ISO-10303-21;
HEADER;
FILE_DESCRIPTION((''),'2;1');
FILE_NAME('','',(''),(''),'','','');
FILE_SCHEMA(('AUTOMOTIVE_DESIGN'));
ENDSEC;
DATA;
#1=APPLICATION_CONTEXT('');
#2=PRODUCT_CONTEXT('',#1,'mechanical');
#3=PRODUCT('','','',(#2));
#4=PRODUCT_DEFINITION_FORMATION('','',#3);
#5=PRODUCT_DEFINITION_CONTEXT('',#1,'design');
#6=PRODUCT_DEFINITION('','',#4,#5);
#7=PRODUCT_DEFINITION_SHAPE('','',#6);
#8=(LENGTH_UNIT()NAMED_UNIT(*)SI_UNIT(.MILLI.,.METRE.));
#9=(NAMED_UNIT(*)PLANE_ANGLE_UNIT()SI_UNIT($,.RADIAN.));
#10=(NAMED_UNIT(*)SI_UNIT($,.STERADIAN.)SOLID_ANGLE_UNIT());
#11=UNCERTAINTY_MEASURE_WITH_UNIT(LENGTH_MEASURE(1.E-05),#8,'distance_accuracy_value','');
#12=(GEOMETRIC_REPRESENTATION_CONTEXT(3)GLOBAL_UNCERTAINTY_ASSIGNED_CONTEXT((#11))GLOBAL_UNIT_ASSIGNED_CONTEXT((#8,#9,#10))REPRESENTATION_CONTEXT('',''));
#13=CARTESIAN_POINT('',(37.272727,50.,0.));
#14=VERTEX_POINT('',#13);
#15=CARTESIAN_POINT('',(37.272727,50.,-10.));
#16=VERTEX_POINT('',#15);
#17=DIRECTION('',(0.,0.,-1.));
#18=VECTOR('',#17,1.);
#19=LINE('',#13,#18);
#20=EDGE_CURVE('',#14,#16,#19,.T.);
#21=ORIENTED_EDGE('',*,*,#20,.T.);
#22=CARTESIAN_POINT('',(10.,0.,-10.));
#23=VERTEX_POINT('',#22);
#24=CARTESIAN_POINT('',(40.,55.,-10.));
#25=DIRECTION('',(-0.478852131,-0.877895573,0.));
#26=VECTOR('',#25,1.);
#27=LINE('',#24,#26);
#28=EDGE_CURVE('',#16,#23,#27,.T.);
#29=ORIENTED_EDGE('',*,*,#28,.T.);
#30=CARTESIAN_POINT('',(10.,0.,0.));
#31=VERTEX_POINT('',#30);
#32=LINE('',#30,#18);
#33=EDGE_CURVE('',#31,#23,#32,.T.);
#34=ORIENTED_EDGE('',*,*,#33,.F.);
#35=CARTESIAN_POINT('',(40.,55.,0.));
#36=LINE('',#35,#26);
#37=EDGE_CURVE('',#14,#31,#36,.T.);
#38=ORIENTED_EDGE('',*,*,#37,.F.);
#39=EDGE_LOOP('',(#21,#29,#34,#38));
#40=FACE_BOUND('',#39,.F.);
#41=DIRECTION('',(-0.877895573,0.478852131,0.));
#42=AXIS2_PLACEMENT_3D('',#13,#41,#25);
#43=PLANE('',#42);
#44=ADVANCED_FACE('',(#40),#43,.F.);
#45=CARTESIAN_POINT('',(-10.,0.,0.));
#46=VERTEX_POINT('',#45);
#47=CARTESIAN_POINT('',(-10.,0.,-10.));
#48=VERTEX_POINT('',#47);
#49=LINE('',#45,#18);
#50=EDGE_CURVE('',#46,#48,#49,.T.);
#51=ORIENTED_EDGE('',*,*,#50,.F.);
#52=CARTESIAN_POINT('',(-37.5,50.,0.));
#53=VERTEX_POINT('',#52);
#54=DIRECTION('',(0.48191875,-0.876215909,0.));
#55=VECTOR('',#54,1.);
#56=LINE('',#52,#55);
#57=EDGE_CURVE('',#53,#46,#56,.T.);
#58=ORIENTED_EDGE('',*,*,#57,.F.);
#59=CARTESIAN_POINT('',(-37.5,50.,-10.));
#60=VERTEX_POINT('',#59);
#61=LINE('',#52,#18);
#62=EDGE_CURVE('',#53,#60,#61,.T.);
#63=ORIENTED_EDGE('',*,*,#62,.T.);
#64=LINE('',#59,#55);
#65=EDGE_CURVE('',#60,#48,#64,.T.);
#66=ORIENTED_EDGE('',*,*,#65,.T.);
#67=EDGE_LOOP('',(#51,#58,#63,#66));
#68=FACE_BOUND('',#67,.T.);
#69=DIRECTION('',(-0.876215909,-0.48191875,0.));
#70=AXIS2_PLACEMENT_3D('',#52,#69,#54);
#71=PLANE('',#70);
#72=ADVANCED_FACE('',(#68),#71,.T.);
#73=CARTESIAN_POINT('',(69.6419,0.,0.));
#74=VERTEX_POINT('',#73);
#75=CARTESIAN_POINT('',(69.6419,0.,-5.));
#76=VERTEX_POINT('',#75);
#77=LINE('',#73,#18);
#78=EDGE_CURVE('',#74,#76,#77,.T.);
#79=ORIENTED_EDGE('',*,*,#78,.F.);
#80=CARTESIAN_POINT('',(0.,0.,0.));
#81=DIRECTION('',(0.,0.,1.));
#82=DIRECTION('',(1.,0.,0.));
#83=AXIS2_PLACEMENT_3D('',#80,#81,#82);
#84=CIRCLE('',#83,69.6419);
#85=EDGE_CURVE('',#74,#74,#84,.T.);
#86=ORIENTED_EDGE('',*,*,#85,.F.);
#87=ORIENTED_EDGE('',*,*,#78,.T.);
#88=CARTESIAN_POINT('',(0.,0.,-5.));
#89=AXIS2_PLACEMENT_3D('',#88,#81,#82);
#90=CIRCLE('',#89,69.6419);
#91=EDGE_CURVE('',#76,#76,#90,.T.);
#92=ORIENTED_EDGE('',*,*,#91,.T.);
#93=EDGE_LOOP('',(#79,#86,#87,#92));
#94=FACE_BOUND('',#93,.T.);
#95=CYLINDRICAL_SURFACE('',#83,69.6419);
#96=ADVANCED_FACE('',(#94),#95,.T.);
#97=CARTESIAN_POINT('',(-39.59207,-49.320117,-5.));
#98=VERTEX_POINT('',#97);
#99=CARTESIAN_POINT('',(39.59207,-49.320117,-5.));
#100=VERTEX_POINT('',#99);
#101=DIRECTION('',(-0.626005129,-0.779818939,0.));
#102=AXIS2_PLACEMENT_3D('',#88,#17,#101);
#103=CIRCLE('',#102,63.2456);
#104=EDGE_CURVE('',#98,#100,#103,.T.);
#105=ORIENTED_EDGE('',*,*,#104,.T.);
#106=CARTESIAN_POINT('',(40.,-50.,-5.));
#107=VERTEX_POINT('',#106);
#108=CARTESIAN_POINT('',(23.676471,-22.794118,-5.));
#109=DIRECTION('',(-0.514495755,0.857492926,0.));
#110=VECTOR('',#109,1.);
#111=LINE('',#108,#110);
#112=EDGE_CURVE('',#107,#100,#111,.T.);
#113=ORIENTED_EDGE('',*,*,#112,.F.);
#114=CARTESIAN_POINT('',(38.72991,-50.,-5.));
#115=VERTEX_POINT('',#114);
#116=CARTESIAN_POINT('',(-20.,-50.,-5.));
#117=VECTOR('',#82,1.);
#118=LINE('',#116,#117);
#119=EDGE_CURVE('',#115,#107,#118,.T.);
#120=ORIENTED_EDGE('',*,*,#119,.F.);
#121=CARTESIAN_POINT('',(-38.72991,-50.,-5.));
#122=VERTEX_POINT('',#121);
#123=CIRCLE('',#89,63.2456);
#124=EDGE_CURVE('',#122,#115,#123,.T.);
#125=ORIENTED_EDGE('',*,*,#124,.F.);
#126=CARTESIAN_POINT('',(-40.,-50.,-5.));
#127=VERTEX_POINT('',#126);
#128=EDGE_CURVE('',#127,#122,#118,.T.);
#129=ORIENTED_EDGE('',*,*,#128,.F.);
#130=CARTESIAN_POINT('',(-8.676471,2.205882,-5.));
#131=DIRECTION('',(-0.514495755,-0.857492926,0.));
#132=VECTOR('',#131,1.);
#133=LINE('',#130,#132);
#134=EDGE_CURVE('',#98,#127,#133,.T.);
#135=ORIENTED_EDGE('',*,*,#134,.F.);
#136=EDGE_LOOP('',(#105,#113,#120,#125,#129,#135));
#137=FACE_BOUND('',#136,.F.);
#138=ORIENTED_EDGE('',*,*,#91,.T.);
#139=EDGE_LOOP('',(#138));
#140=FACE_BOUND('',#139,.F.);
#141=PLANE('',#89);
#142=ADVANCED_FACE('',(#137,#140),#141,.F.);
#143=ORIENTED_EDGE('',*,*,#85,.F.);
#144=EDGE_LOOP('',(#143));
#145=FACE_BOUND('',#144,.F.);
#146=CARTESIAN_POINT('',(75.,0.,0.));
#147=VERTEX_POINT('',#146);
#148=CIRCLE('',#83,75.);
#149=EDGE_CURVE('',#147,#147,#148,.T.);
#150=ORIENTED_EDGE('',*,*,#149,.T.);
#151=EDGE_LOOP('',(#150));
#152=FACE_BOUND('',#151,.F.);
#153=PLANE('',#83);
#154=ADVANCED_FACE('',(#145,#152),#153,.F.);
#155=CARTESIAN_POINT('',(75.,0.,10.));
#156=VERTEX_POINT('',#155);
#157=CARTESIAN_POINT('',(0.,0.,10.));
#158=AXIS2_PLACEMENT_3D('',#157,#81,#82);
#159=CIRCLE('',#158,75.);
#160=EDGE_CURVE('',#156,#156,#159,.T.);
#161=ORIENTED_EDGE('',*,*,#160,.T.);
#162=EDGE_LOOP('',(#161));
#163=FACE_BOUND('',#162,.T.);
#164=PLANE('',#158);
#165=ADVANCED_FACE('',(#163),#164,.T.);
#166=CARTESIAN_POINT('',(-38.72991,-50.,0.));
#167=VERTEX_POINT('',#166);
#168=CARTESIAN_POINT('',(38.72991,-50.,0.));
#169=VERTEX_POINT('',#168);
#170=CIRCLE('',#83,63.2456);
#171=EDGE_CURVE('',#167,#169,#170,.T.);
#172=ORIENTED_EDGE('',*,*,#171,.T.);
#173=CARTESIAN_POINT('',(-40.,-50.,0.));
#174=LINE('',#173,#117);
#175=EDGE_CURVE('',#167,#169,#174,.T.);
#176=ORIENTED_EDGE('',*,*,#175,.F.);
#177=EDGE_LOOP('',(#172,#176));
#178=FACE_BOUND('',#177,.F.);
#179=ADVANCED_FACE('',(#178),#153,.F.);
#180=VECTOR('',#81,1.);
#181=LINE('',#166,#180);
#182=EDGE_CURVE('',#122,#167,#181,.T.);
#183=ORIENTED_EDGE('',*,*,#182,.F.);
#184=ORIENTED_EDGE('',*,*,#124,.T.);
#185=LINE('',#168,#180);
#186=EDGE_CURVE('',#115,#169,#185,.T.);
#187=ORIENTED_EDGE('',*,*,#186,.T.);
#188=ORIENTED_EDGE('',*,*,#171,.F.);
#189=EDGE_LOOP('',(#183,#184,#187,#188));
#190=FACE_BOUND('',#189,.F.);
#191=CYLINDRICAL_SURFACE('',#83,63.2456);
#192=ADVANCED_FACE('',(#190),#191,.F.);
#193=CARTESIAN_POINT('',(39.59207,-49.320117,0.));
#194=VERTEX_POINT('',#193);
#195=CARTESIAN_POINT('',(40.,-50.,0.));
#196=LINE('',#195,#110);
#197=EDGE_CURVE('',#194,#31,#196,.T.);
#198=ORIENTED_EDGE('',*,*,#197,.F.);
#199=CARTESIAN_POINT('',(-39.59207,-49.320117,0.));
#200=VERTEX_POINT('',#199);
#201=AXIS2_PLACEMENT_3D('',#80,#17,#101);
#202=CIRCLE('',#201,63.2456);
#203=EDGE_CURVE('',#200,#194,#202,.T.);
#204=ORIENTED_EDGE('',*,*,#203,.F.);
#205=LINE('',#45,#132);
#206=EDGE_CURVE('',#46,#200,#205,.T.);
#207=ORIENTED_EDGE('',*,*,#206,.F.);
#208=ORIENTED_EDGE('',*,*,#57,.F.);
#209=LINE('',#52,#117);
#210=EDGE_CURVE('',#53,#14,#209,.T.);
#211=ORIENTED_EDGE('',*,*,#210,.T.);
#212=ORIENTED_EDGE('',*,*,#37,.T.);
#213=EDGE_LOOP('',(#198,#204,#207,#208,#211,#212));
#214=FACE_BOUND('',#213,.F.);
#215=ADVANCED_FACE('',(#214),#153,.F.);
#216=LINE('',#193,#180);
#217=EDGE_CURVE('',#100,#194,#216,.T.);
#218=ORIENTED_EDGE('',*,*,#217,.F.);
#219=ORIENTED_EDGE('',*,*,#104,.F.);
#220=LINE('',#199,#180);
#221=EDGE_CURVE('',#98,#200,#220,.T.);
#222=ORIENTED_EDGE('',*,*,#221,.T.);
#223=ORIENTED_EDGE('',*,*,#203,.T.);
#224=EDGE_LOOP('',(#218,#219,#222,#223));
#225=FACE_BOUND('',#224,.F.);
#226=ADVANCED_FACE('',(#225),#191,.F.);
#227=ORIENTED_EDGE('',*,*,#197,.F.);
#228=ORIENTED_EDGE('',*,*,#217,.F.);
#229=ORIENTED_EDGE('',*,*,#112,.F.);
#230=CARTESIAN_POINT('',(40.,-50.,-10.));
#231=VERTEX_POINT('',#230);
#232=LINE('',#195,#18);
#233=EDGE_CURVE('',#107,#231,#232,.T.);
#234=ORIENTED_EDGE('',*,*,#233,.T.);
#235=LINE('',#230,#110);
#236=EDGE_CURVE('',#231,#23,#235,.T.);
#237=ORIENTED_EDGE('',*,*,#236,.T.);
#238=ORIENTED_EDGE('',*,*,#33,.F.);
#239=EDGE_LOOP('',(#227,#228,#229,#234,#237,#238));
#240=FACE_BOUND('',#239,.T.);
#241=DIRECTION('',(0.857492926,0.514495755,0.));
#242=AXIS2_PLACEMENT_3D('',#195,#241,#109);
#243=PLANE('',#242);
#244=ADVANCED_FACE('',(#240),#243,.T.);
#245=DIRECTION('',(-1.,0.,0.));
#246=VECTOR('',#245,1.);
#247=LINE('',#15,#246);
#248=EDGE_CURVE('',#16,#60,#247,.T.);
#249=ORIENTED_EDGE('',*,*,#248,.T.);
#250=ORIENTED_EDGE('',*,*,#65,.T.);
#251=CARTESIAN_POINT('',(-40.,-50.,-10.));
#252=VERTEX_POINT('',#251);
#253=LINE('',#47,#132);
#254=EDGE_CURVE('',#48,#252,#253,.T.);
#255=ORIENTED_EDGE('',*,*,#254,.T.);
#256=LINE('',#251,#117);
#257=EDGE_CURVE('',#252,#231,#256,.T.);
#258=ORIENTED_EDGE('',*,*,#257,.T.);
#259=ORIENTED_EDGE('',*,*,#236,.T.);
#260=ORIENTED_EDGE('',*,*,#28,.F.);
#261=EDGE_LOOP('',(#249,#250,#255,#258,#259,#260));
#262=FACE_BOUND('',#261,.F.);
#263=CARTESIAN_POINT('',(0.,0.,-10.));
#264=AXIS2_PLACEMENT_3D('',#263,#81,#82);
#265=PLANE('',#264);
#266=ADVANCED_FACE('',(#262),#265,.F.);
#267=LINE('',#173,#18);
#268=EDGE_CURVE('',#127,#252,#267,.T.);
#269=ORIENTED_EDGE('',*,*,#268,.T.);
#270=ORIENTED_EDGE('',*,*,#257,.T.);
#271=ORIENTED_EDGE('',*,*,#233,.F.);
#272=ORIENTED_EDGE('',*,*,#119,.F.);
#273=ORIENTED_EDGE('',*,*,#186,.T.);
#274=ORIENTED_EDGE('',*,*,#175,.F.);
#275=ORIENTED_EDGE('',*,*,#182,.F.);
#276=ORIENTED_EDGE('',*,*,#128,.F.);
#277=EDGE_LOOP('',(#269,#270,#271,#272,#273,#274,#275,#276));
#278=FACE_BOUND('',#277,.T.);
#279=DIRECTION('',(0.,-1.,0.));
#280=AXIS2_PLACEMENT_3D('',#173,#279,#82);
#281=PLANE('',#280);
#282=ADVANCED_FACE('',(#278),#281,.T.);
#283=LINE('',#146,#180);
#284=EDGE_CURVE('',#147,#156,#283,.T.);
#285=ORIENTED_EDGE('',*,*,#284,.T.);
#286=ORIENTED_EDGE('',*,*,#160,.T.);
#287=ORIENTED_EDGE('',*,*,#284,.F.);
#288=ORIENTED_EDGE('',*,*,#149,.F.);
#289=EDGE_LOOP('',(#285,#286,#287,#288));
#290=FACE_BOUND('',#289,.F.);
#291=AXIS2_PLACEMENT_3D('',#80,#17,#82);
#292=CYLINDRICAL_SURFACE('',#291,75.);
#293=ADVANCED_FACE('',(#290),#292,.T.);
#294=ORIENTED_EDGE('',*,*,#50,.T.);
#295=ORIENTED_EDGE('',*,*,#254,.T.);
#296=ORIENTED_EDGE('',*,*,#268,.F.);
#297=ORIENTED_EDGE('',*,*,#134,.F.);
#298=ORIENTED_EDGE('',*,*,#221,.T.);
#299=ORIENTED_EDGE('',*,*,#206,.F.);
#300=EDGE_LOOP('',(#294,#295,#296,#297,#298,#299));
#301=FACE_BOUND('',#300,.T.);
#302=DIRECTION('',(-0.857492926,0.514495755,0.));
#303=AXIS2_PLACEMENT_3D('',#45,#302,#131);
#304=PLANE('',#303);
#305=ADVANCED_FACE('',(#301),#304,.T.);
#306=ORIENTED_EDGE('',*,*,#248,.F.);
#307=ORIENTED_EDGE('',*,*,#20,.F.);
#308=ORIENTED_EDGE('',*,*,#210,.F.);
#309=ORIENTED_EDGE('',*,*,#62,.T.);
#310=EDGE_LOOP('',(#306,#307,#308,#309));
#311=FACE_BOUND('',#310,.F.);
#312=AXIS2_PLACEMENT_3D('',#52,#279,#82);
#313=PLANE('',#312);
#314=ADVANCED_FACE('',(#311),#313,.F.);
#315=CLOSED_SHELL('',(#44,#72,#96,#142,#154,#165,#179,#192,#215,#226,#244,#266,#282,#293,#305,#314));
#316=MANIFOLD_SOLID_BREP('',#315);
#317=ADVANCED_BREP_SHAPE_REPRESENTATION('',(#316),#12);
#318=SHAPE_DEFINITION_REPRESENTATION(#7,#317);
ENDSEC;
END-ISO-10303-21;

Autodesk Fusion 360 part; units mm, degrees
sketch "Sketch1" plane through (0, 0, 0) normal (0, 0, 1) x (1, 0, 0)
  circle A0 centre (0, 0) radius 75
extrude "Extrude1" add sketch "Sketch1" along normal blind 10
sketch "Sketch2" plane through (0, 0, 0) normal (0, 0, 1) x (1, 0, 0)
  circle A0 centre (0, 0) radius 69.6419
  circle A1 centre (0, 0) radius 63.2456
extrude "Extrude2" add sketch "Sketch2" against normal blind 5
sketch "Sketch3" plane through (0, 0, 0) normal (0, 0, 1) x (1, 0, 0)
  line L0 (-40, 50) -> (-35, 50)
  line L1 (-40, 50) -> (-37.5, 50)
  line L2 (40, 50) -> (-40, 50)
  line L3 (-37.5, 50) -> (-10, 0)
  line L4 (-10, 0) -> (-40, -50)
  line L5 (-40, -50) -> (40, -50)
  line L6 (40, -50) -> (10, 0)
  line L7 (40, 55) -> (10, 0)
extrude "Extrude3" add 1 faces at (67.2505, -3.4599, -5) along direction (0, 0, 1) blind 5
extrude "Extrude4" add sketch "Sketch3" against normal blind 10
sketch "Sketch4" plane through (0, 0, 0) normal (0, 0, 1) x (1, 0, 0)
